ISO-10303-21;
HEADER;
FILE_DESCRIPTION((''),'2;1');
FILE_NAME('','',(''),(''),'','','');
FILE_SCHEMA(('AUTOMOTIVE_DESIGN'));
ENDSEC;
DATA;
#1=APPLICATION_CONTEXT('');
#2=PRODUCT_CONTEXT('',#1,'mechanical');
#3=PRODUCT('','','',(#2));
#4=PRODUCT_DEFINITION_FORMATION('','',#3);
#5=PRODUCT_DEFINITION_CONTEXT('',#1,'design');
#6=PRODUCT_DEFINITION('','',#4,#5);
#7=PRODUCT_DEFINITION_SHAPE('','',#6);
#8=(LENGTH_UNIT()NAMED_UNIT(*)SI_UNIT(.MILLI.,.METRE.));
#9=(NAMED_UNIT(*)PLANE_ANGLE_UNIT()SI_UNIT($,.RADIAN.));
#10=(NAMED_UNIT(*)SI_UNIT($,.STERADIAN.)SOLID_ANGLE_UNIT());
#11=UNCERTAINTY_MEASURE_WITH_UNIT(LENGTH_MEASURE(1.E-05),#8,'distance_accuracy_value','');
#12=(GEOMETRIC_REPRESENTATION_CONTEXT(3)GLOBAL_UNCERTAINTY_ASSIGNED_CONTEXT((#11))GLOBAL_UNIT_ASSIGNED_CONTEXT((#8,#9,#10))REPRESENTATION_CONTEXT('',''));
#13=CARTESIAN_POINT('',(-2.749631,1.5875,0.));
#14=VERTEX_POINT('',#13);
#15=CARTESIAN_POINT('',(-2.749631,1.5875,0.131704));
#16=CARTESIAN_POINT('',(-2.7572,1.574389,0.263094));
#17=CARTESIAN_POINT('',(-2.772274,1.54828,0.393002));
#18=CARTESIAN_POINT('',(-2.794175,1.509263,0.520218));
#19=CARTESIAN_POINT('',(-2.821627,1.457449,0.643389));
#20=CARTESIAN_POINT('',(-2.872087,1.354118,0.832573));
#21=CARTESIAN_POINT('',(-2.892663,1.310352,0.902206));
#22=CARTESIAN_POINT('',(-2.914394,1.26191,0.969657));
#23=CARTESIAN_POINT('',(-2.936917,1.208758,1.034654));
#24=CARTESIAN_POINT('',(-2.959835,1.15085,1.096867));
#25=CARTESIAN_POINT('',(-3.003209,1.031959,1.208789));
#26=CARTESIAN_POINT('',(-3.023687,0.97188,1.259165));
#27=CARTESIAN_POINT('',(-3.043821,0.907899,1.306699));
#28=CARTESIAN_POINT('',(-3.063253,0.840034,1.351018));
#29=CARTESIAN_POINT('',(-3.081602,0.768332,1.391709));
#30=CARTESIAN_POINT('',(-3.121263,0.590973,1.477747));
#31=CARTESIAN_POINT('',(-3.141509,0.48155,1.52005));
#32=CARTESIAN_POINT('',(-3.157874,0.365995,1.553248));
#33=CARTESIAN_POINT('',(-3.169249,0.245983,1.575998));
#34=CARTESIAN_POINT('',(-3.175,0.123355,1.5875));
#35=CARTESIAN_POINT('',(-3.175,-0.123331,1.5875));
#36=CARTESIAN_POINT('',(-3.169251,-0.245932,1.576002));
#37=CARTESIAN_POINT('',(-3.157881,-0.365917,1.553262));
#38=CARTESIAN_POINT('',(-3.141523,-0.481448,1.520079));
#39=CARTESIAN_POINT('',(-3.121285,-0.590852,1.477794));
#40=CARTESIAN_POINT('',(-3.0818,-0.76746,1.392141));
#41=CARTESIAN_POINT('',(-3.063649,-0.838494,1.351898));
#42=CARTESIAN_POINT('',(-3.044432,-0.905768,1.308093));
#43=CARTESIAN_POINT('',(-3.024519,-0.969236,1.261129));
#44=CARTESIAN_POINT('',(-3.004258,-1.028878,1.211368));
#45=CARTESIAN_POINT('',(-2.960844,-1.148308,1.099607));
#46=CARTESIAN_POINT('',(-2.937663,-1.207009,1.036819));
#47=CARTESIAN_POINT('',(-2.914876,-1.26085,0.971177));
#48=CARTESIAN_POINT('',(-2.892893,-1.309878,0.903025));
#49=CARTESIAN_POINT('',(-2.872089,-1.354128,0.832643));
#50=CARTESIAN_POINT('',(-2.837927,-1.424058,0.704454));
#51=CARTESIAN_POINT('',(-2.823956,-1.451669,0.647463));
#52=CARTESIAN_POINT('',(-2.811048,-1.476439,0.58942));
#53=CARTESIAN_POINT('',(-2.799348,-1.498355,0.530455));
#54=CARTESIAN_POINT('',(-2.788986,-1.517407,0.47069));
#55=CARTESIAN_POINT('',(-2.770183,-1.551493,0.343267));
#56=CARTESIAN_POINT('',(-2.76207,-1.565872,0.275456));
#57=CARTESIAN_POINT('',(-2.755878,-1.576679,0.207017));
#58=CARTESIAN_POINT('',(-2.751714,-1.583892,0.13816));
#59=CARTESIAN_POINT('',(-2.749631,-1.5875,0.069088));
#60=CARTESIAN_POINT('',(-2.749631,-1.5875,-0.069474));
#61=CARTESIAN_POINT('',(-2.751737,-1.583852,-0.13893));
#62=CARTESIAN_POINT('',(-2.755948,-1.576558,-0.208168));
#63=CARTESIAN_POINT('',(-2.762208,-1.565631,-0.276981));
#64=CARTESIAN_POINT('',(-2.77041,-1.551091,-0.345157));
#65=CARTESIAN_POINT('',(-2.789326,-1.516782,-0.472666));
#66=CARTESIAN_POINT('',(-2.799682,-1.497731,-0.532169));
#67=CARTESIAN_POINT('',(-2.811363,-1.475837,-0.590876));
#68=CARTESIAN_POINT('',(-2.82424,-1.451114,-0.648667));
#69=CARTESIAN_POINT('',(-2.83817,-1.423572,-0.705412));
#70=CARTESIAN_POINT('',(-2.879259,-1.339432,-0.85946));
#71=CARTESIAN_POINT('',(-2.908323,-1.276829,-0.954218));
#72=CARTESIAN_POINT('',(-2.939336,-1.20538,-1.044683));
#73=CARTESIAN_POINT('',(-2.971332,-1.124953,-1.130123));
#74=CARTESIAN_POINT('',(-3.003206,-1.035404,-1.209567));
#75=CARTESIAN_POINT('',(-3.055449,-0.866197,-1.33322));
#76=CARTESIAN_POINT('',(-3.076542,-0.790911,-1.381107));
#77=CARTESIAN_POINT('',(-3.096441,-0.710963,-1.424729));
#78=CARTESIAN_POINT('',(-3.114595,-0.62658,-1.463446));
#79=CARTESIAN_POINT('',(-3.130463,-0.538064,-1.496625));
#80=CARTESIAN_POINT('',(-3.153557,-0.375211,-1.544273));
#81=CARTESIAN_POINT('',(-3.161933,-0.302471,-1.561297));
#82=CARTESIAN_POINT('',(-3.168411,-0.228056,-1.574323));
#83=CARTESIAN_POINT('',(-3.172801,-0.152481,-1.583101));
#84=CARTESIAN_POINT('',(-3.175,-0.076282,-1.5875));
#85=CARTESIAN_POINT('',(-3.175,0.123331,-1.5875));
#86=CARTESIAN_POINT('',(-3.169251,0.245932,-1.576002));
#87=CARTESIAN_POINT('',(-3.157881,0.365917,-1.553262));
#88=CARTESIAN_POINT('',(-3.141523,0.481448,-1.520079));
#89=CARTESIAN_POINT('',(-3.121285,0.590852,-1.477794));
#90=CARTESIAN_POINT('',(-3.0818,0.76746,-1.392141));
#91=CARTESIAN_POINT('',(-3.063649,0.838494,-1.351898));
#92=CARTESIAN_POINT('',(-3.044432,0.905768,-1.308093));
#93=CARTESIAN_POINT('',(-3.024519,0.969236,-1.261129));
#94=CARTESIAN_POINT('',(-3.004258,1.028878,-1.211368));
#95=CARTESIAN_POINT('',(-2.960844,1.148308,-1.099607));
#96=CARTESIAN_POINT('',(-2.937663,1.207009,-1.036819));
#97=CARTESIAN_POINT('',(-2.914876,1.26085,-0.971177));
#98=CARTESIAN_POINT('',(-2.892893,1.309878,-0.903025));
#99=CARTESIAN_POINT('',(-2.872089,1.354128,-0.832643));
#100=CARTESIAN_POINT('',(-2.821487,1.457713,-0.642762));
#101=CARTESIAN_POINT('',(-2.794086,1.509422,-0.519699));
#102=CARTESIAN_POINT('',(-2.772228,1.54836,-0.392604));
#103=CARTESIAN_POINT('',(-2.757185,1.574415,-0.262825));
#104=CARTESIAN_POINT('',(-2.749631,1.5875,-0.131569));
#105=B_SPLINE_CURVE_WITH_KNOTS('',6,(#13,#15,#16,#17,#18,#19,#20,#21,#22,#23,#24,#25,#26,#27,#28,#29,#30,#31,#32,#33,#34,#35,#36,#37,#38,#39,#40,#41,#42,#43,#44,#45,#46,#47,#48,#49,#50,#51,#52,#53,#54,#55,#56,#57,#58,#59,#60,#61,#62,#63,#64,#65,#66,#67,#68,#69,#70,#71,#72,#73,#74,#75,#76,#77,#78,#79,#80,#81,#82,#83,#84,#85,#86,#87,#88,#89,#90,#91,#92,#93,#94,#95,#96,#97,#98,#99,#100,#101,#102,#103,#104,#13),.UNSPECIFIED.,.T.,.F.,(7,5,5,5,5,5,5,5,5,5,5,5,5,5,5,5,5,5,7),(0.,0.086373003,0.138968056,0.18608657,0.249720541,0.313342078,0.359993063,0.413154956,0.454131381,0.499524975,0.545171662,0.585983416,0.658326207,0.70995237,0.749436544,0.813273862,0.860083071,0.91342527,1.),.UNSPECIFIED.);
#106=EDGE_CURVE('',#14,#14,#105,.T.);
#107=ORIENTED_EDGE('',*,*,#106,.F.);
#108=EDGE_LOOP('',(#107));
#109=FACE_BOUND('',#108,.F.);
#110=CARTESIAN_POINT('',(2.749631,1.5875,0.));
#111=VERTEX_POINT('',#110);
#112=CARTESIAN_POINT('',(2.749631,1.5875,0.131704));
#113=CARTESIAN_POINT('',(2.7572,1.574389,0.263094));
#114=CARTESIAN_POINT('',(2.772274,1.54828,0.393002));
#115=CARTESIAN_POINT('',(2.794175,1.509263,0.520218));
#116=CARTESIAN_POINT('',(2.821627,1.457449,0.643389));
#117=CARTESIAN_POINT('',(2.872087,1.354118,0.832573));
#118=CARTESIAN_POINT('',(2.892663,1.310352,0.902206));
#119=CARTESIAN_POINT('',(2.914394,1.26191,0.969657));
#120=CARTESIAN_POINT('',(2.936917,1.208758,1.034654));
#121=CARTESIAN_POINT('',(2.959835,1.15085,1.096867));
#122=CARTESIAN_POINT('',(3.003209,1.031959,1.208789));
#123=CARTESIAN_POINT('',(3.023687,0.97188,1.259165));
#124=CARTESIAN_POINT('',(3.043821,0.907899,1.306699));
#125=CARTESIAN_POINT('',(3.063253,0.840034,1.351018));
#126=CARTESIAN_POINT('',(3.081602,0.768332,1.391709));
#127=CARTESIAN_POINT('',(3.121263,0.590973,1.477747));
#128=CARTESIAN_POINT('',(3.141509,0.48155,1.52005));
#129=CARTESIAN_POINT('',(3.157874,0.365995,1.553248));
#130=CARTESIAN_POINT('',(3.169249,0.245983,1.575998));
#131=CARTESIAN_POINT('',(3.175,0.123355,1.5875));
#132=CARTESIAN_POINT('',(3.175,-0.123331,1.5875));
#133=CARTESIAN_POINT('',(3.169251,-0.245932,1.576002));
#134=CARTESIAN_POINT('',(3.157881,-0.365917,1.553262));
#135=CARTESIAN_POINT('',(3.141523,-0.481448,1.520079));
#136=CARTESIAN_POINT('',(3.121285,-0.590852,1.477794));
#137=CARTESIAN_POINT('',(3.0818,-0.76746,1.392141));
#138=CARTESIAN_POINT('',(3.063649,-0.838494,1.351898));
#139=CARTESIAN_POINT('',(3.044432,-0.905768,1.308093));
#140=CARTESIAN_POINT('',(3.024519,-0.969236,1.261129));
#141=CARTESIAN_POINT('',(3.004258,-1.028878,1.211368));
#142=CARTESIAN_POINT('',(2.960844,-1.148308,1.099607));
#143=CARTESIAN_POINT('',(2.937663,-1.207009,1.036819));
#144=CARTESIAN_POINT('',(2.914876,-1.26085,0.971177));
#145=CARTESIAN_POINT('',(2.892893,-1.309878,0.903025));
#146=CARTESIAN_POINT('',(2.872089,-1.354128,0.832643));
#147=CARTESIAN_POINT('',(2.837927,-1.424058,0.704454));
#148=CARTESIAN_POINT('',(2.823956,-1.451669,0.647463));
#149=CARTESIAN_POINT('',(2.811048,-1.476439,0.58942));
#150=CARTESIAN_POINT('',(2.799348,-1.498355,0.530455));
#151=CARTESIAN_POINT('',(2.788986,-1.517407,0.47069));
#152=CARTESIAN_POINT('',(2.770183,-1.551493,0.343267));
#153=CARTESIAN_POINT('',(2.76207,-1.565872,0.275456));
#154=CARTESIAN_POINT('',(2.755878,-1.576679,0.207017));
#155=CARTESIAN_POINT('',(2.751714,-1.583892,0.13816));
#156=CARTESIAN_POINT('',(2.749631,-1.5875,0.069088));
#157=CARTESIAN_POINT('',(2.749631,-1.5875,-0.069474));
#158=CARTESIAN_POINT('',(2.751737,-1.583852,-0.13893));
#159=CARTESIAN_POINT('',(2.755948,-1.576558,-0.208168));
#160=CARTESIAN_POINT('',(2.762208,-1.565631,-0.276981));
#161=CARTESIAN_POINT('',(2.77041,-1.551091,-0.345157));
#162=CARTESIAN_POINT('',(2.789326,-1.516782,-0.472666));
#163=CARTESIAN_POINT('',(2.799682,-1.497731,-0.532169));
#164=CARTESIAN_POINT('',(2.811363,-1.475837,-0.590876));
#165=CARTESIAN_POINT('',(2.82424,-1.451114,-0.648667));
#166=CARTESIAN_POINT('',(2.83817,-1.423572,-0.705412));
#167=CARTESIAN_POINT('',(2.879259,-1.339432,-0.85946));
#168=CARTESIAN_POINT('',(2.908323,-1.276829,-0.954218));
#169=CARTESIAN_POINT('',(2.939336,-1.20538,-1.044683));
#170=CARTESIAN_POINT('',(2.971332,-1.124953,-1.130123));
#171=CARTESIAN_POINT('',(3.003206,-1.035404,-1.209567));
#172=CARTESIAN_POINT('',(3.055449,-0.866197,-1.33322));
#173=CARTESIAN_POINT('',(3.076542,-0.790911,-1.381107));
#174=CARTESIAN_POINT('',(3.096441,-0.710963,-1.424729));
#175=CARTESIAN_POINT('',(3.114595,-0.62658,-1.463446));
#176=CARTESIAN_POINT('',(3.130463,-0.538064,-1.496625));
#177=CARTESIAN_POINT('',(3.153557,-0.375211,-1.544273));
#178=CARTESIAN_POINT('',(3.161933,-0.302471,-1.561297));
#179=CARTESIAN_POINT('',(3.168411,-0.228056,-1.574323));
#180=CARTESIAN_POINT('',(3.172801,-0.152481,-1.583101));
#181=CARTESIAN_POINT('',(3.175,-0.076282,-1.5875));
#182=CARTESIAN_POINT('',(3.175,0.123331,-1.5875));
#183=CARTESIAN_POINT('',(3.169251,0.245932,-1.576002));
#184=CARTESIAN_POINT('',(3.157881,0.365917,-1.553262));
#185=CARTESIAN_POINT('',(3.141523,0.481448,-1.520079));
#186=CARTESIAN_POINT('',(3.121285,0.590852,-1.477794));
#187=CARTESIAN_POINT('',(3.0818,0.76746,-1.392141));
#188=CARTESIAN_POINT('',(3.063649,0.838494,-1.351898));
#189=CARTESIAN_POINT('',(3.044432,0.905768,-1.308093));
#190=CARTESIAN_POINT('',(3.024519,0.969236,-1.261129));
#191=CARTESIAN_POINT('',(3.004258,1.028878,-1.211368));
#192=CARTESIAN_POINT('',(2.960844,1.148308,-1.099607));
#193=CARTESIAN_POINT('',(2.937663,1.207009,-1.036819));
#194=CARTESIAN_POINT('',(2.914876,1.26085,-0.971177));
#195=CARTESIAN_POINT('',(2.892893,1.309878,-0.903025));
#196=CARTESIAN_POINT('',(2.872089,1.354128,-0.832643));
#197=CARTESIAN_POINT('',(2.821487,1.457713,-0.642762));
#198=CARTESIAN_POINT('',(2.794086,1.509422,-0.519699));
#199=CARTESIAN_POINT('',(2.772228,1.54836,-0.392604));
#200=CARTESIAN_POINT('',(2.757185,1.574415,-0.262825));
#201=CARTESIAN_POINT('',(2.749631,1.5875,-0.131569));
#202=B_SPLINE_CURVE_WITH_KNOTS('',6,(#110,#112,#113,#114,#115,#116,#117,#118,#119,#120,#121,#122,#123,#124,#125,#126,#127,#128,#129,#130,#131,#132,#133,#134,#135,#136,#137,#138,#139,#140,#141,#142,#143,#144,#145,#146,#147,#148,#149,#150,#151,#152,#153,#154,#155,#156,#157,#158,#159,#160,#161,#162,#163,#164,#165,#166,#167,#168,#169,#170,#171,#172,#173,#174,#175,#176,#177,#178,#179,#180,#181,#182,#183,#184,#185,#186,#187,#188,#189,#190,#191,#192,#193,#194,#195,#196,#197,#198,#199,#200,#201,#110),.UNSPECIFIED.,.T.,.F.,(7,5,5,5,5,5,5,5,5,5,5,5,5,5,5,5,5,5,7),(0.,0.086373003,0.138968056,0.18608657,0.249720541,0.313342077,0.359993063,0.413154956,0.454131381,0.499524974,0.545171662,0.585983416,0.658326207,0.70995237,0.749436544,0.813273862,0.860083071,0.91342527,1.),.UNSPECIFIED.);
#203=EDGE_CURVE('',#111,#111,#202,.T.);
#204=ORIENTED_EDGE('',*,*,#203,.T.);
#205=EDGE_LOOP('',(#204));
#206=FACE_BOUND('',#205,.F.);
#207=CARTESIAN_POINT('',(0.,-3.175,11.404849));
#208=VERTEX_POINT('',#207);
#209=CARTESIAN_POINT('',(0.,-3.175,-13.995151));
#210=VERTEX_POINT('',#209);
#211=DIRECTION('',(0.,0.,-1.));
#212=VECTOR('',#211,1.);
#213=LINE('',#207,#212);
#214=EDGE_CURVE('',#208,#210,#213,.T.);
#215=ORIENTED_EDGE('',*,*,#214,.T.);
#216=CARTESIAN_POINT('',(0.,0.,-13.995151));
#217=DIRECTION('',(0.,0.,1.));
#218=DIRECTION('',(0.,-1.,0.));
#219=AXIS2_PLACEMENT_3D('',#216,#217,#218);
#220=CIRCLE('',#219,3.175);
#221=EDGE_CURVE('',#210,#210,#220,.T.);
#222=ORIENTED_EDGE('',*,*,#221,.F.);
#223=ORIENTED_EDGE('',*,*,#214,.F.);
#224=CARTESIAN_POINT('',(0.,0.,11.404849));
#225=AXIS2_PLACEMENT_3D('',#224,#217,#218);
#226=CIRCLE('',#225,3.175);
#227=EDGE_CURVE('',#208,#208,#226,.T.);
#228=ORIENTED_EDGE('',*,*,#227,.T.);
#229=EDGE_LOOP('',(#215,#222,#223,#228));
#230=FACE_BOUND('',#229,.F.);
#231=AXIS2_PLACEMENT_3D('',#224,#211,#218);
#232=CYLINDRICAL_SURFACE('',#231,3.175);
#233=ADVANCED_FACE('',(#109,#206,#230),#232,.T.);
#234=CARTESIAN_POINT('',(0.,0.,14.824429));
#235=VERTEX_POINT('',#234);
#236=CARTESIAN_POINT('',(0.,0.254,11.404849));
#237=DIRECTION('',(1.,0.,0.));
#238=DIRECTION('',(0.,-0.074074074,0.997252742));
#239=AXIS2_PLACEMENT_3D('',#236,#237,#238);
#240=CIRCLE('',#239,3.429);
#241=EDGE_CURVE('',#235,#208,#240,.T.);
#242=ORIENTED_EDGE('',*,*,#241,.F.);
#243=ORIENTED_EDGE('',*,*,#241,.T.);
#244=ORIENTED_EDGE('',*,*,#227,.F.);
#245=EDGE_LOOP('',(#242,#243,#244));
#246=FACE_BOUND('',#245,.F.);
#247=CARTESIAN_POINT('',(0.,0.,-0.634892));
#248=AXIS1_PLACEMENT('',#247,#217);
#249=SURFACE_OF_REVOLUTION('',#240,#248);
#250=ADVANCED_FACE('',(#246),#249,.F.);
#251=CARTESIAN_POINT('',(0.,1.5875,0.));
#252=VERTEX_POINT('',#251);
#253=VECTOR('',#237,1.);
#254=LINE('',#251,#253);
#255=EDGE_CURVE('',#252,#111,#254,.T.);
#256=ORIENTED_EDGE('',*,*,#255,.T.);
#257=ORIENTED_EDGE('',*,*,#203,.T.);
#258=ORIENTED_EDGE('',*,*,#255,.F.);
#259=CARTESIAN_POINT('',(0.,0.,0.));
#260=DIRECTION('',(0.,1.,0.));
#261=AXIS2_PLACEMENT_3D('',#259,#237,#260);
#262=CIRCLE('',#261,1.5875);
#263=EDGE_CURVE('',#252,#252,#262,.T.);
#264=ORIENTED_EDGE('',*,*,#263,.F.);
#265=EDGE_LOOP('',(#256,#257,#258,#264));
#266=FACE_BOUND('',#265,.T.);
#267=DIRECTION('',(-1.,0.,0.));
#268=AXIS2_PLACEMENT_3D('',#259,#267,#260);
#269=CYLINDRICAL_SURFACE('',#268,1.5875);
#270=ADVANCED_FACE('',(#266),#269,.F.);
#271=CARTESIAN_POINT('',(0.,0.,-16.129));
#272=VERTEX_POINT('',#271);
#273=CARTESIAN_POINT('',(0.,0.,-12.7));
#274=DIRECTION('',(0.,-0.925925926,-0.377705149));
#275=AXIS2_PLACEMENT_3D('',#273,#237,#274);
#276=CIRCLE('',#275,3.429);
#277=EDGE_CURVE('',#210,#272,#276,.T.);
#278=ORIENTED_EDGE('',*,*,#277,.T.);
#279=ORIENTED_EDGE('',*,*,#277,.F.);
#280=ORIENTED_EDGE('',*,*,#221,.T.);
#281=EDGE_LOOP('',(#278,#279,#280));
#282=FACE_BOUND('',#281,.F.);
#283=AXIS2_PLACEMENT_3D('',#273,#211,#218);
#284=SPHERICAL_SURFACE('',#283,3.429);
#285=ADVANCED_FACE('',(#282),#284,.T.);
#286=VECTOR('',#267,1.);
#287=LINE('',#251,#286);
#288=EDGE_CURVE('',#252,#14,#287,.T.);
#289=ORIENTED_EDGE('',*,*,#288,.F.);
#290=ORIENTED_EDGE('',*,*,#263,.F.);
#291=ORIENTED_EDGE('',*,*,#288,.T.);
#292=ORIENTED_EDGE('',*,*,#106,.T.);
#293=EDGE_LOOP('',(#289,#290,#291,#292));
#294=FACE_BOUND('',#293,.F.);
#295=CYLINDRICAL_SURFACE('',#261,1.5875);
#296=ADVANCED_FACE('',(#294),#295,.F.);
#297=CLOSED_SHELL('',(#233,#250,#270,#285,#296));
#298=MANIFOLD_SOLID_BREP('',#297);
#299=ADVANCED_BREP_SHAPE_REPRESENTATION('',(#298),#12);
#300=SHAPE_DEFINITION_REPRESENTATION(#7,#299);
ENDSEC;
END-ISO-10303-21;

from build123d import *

# Parameters (mm, degrees)
F2_R          = 1.5875
F3_DEPTH      = 3.1760001
F3_DEPTH_BACK = 25.4


with BuildPart() as f1:
    # F0 (on Right) → F1 (revolve)
    with BuildSketch(Plane.YZ):
        with BuildLine():
            ThreePointArc((0, 14.8244286961), (-2.2588675851, 13.7379880235), (-3.175, 11.4048490435))
            Line((-3.175, 11.4048490435), (-3.175, -13.9951509565))
            ThreePointArc((-3.175, -13.9951509565), (-1.9127164414, -15.5459720334), (0, -16.129))
            Line((0, -16.129), (0, 0))
            Line((0, 0), (0, 14.8244286961))
        make_face()
    revolve(axis=Axis((0, 0, -0.634892378), (0, 0, 1)))

    # F2 (on Right) → F3 (cut, two sides)
    with BuildSketch(Plane.YZ) as f3_sk:
        Circle(F2_R)
    extrude(amount=-F3_DEPTH, mode=Mode.SUBTRACT)
    extrude(f3_sk.sketch, amount=F3_DEPTH_BACK, mode=Mode.SUBTRACT)


solid = f1.part
